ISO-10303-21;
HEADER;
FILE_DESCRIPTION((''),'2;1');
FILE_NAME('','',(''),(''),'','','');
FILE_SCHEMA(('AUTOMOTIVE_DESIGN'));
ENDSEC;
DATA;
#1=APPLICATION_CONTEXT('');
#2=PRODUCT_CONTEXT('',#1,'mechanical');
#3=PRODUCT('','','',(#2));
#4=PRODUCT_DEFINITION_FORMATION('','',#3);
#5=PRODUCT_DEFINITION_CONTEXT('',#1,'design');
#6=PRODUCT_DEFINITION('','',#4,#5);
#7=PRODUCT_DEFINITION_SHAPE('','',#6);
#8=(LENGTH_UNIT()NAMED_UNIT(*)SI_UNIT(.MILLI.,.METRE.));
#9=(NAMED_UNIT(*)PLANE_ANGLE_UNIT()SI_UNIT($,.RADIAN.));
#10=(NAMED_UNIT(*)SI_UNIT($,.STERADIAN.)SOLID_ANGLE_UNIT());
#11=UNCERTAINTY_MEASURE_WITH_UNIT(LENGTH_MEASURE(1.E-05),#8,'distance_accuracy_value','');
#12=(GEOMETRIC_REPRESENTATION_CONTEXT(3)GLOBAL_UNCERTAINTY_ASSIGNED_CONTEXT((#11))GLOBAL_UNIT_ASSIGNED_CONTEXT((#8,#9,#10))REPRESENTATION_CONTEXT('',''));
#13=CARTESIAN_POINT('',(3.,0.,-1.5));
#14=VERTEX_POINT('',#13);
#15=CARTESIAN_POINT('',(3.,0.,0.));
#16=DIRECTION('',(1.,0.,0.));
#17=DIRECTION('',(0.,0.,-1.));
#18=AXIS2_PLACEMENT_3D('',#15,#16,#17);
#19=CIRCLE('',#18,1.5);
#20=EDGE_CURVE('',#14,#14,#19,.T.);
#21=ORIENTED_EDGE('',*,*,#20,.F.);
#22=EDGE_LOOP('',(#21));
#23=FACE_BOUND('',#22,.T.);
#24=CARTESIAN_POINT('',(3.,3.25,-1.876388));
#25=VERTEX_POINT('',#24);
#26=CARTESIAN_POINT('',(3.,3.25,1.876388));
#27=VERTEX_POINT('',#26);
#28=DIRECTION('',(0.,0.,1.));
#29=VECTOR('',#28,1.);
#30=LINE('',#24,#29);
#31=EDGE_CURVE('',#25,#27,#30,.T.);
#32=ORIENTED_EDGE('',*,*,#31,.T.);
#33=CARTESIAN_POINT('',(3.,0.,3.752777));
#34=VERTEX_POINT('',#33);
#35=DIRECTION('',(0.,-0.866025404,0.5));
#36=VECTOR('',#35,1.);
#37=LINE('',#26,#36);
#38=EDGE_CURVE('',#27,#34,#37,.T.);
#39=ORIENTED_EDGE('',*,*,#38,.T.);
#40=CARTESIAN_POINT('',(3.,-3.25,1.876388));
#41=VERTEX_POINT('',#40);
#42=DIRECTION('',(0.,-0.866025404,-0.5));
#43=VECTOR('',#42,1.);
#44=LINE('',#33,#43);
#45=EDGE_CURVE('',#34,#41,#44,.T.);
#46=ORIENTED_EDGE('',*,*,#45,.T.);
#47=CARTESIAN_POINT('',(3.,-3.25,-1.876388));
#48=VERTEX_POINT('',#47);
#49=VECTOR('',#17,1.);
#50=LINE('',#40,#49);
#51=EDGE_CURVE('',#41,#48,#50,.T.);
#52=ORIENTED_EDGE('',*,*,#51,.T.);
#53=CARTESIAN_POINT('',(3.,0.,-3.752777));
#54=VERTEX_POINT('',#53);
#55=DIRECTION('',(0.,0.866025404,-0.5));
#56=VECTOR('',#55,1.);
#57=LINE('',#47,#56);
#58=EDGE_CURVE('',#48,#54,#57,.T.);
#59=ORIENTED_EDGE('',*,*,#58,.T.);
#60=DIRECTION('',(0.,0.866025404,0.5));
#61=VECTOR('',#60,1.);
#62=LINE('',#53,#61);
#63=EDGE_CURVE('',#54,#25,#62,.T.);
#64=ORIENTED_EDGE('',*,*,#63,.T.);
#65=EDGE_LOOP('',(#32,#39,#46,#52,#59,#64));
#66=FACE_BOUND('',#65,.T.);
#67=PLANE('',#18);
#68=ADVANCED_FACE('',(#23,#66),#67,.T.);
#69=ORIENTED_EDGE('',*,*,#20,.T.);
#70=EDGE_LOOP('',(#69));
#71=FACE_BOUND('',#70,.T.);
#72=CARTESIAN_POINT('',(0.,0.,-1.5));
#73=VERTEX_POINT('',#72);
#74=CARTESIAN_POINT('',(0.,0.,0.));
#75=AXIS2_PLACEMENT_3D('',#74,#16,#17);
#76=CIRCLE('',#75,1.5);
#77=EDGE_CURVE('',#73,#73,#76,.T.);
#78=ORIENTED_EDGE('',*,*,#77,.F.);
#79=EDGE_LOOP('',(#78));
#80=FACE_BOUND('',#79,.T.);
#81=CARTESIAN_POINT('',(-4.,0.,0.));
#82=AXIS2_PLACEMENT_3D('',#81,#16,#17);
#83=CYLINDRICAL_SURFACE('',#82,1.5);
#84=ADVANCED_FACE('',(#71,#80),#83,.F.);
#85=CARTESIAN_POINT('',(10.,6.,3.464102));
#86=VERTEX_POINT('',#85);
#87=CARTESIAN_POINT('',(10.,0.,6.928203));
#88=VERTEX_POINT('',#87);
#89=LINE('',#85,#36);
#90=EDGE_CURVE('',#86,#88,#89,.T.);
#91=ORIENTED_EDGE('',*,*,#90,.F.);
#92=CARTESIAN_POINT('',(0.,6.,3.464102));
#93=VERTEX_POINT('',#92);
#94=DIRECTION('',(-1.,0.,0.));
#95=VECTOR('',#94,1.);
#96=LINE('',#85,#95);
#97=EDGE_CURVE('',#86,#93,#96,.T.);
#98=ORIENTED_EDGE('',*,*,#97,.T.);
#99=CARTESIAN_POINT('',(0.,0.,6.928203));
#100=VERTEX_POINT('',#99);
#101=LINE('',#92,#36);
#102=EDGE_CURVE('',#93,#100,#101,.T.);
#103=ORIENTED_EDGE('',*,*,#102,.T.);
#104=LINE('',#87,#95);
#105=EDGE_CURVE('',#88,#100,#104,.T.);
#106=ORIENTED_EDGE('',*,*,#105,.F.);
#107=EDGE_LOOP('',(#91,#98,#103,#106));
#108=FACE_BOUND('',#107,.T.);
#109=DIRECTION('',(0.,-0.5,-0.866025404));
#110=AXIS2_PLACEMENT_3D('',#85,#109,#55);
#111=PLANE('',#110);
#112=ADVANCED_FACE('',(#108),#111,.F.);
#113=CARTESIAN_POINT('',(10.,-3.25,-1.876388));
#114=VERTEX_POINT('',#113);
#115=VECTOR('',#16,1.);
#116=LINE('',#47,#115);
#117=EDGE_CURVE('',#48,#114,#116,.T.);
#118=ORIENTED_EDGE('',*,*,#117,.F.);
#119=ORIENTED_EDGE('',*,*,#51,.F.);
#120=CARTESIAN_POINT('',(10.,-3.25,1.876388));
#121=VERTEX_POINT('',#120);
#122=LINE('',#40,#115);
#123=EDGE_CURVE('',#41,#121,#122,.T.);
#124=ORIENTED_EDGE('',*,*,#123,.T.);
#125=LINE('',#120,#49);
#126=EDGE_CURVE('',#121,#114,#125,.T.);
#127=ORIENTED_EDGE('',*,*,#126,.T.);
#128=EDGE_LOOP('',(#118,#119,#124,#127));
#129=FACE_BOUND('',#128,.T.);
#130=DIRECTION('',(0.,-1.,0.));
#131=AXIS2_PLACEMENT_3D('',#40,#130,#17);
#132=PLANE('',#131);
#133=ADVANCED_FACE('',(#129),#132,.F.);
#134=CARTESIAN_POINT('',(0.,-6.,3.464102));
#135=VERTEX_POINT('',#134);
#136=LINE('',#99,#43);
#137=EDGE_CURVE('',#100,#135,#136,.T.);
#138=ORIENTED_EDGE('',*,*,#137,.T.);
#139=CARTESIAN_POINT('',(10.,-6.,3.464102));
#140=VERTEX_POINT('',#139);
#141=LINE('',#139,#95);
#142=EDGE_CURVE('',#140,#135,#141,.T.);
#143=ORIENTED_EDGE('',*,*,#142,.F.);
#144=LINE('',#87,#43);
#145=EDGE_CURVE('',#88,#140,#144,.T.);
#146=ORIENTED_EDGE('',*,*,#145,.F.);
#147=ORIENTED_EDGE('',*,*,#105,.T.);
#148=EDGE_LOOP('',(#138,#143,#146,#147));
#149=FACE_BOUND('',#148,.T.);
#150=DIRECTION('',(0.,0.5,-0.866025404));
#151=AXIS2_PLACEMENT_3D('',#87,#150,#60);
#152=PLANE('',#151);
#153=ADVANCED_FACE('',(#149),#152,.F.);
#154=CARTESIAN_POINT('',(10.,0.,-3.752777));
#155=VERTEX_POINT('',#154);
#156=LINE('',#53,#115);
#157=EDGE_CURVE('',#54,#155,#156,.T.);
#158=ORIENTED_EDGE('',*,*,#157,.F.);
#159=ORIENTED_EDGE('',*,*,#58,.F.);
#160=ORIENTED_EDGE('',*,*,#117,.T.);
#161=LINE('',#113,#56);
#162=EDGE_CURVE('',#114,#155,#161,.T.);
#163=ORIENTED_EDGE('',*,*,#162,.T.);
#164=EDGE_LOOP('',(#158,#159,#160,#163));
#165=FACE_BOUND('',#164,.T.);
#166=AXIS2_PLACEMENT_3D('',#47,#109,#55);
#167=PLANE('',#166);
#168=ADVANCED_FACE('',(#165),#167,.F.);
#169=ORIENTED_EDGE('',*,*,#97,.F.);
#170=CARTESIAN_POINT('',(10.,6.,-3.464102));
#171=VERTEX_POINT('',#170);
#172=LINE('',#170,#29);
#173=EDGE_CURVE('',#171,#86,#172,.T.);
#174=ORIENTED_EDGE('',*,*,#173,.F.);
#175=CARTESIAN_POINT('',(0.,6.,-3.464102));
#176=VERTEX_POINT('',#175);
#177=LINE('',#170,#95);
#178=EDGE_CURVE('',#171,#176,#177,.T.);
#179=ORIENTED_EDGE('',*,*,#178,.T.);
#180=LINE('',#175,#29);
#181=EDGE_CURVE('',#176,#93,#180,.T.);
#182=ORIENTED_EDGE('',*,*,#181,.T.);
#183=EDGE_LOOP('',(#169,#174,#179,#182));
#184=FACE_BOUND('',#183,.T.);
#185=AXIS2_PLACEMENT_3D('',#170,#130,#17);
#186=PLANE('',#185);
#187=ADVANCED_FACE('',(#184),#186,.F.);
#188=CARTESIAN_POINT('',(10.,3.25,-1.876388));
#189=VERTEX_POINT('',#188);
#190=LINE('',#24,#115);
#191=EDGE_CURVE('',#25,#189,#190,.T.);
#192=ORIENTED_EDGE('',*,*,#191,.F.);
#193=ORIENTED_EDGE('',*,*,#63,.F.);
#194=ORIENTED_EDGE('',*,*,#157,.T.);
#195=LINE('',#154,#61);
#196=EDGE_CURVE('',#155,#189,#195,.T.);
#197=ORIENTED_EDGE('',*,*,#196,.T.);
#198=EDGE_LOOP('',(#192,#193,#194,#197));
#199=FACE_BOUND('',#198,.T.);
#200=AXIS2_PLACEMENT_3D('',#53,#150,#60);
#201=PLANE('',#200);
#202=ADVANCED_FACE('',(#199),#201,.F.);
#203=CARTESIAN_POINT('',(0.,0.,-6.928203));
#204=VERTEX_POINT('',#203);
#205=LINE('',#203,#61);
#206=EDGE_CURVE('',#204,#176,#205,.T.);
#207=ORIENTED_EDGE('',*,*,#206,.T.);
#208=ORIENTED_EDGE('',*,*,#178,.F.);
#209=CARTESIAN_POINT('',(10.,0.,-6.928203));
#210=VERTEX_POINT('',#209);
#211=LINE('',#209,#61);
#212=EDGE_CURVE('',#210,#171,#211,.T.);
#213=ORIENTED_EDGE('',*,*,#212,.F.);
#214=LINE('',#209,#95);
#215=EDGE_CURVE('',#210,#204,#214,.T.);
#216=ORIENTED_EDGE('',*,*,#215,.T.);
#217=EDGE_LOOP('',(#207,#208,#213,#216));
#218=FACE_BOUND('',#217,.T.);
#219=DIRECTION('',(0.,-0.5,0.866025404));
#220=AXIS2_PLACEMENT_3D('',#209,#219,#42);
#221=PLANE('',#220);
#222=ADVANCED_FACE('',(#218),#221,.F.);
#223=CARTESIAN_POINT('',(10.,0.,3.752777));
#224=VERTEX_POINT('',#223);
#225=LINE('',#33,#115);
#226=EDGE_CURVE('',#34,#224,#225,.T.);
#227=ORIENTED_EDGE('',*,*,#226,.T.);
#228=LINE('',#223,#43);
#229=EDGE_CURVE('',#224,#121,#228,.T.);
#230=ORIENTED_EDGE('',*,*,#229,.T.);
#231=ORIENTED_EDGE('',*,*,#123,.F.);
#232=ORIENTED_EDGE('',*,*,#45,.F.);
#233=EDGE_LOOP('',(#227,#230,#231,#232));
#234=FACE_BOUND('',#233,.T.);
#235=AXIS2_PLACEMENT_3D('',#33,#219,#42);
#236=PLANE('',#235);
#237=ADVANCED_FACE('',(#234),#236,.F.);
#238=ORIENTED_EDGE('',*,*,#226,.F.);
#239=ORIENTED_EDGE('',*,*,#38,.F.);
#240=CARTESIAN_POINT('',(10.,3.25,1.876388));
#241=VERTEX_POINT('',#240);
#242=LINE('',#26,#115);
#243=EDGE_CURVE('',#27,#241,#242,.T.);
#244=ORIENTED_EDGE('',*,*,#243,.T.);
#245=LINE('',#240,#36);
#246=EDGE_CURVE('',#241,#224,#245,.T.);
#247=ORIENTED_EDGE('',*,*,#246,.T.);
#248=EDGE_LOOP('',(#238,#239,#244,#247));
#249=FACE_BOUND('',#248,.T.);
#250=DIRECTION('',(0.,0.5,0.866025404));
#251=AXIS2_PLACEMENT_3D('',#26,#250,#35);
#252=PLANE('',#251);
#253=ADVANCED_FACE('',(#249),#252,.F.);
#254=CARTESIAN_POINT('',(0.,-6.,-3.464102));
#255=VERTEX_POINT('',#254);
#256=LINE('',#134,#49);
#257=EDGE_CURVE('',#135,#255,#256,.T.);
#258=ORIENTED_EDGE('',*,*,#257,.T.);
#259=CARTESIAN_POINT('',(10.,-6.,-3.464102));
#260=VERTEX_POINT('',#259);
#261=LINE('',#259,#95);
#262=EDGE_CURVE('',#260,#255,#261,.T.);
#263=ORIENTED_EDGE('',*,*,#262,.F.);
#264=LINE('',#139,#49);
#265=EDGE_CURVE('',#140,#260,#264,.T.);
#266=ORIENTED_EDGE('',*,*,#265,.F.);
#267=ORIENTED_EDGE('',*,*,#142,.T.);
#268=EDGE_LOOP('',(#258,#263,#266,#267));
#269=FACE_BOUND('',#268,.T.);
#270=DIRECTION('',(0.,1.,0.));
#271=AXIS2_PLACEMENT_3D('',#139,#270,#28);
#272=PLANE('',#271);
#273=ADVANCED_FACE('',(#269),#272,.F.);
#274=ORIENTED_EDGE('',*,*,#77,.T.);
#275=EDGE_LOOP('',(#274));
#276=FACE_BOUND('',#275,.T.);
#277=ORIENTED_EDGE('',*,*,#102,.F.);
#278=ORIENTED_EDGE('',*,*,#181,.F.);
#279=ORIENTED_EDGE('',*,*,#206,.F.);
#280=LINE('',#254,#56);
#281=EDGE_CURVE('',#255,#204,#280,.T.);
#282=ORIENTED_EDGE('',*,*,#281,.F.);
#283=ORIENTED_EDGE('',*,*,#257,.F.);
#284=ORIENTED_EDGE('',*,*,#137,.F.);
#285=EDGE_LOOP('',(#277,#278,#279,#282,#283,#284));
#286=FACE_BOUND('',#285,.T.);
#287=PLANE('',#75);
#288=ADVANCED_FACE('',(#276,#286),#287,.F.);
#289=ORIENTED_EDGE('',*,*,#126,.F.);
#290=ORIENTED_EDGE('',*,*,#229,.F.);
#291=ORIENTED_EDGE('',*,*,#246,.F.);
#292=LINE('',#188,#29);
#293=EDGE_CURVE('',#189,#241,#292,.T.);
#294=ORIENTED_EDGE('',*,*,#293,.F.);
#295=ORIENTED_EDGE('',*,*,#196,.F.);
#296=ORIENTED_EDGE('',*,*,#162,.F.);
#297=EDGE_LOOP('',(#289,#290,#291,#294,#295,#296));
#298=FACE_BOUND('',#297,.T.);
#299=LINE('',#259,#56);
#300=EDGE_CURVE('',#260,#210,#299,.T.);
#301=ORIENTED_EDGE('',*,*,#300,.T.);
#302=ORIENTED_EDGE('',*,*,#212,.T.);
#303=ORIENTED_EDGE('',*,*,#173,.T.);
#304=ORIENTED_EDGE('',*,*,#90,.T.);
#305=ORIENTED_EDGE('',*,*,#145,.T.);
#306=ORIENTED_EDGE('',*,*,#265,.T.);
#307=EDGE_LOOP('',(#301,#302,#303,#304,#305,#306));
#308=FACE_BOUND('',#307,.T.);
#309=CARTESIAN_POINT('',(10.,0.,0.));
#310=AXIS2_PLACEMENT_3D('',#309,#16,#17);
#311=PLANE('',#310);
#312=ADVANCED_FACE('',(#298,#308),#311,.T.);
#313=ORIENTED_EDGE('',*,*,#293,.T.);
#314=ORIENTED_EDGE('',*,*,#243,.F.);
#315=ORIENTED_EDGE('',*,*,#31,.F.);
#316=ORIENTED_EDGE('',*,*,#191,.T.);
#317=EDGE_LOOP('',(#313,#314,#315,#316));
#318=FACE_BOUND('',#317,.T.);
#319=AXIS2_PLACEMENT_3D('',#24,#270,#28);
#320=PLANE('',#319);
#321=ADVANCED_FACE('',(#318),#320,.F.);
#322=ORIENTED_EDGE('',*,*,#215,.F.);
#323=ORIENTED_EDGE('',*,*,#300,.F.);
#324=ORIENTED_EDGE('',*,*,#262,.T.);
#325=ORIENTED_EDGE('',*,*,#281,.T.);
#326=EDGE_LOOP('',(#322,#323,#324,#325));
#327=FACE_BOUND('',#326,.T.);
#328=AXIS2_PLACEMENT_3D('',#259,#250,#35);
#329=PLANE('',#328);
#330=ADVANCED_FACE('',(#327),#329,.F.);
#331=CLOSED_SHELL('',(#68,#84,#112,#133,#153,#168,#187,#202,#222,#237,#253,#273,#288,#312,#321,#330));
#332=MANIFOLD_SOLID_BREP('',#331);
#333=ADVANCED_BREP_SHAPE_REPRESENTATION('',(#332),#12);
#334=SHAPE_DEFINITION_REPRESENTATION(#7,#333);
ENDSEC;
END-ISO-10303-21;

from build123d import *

# Parameters (mm, degrees)
EXTRUDE_1_DEPTH     = 10
CUT_EXTRUDE_1_DEPTH = 7
SKETCH_3_R          = 1.5
CUT_EXTRUDE_2_DEPTH = 7


with BuildPart() as part:
    # 草图1 → 凸台-拉伸1 (new body)
    with BuildSketch(Plane(origin=(0, 0, 0), x_dir=(0, 0, -1), z_dir=(1, 0, 0))):
        Polygon((6.92820323, 0), (3.464101615, 6), (-3.464101615, 6), (-6.92820323, 0), (-3.464101615, -6), (3.464101615, -6), align=None)
    extrude(amount=EXTRUDE_1_DEPTH)

    # 草图2 → 切除-拉伸1 (cut)
    with BuildSketch(Plane(origin=(10, 0, 0), x_dir=(0, 0, -1), z_dir=(1, 0, 0))):
        Polygon((3.75277675, 0), (1.876388375, 3.25), (-1.876388375, 3.25), (-3.75277675, 0), (-1.876388375, -3.25), (1.876388375, -3.25), align=None)
    extrude(amount=-CUT_EXTRUDE_1_DEPTH, mode=Mode.SUBTRACT)

    # 草图3 → 切除-拉伸2 (cut)
    with BuildSketch(Plane(origin=(3, 0, 0), x_dir=(0, 0, -1), z_dir=(1, 0, 0))):
        Circle(SKETCH_3_R)
    extrude(amount=-CUT_EXTRUDE_2_DEPTH, mode=Mode.SUBTRACT)


solid = part.part
